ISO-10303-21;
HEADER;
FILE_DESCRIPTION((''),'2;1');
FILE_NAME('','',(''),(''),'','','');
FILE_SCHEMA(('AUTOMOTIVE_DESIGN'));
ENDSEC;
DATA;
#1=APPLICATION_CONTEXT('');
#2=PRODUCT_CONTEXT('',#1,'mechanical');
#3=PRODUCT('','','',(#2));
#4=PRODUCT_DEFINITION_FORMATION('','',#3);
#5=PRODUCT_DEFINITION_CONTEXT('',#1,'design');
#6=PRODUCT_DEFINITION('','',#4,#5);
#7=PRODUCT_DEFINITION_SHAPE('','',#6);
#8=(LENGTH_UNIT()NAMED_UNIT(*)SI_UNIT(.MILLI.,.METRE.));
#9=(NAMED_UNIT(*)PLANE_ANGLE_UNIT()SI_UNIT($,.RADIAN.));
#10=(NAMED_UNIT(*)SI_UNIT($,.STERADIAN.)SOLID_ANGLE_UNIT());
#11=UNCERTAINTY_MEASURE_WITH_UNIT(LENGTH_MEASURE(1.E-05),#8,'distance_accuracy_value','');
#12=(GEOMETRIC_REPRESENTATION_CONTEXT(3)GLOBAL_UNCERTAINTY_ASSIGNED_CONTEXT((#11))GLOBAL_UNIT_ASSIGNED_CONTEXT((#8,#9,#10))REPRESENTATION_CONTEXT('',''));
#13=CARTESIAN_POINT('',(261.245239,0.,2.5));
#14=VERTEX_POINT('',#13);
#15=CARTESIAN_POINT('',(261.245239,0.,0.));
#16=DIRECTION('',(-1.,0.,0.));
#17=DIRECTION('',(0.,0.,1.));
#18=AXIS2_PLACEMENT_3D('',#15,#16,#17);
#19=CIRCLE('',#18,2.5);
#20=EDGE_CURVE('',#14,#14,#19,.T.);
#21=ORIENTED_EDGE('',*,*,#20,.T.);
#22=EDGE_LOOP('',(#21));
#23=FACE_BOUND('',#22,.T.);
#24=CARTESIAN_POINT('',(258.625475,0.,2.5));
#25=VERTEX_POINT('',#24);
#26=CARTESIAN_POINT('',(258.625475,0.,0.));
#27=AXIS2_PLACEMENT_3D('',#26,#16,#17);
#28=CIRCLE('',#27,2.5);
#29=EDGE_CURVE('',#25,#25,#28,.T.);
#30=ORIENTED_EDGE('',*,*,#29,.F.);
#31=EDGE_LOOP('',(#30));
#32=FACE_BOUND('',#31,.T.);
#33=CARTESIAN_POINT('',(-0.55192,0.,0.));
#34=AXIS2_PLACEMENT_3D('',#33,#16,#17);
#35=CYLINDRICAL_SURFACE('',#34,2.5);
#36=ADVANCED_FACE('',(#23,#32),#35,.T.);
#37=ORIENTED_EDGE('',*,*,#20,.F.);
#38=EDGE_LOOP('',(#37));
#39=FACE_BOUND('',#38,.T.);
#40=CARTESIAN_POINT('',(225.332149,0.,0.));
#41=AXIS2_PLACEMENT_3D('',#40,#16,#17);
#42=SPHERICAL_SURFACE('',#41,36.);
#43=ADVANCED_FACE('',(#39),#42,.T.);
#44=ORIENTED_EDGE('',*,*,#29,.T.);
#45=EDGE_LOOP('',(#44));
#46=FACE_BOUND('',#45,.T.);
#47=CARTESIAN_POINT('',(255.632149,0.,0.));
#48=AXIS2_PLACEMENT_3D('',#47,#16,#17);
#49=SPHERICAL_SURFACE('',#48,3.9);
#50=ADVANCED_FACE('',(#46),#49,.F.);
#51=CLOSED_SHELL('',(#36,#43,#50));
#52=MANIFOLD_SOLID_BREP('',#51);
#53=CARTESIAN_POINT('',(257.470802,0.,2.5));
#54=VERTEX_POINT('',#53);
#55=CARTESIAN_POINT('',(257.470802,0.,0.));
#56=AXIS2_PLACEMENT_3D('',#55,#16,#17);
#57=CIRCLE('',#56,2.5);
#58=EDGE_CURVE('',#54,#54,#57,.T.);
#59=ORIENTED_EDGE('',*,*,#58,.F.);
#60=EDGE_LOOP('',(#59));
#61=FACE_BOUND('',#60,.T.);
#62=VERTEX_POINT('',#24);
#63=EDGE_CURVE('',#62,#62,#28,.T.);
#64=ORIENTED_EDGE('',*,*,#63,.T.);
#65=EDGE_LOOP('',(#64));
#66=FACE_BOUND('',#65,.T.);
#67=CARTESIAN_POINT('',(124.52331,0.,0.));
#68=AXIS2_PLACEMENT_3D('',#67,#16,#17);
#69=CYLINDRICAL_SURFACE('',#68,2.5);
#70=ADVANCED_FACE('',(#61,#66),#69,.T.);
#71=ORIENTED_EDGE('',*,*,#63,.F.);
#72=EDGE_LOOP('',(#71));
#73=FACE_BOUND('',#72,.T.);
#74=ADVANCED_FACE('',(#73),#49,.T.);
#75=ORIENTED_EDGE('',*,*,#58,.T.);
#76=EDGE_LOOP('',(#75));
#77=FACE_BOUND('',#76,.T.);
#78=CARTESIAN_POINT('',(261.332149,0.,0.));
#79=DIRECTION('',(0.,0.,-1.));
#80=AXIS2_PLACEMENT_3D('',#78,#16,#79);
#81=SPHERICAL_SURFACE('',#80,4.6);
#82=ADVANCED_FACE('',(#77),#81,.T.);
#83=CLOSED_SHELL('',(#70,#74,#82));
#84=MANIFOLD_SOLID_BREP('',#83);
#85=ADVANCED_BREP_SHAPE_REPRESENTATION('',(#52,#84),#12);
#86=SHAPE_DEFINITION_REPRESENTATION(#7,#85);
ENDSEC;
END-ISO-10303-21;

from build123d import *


with BuildPart() as part:
    # 草图1 one side → 旋转1 (revolve)
    with BuildSketch(Plane(origin=(0, 0, 0), x_dir=(1, 0, 0), z_dir=(0, 1, 0)), mode=Mode.PRIVATE) as revolve_1_sk:
        with BuildLine():
            ThreePointArc((257.470802143, 2.5), (256.920675619, 1.303419386), (256.732149058, 0))
            Line((256.732149058, 0), (259.532149058, 0))
            ThreePointArc((259.532149058, 0), (259.298480402, 1.329667055), (258.625474968, 2.5))
            Line((258.625474968, 2.5), (257.470802143, 2.5))
        make_face()
    revolve(revolve_1_sk.sketch.rotate(Axis((124.523309526, 0, 0), (1, 0, 0)), 180), axis=Axis((124.523309526, 0, 0), (1, 0, 0)))  # turned: the seam where the file's is


with BuildPart() as body_2:
    # 草图2 one side → 旋转3 (revolve)
    with BuildSketch(Plane(origin=(0, 0, 0), x_dir=(1, 0, 0), z_dir=(0, 1, 0)), mode=Mode.PRIVATE) as revolve_3_sk:
        with BuildLine():
            Line((261.245238594, 2.5), (258.625474968, 2.5))
            ThreePointArc((258.625474968, 2.5), (259.298480402, 1.329667055), (259.532149058, 0))
            Line((259.532149058, 0), (261.332149058, 0))
            ThreePointArc((261.332149058, 0), (261.310414881, 1.250755115), (261.245238594, 2.5))
        make_face()
    revolve(revolve_3_sk.sketch.rotate(Axis((-0.551919993, 0, 0), (1, 0, 0)), 180), axis=Axis((-0.551919993, 0, 0), (1, 0, 0)))  # turned: the seam where the file's is


solid = Compound([part.part, body_2.part])
